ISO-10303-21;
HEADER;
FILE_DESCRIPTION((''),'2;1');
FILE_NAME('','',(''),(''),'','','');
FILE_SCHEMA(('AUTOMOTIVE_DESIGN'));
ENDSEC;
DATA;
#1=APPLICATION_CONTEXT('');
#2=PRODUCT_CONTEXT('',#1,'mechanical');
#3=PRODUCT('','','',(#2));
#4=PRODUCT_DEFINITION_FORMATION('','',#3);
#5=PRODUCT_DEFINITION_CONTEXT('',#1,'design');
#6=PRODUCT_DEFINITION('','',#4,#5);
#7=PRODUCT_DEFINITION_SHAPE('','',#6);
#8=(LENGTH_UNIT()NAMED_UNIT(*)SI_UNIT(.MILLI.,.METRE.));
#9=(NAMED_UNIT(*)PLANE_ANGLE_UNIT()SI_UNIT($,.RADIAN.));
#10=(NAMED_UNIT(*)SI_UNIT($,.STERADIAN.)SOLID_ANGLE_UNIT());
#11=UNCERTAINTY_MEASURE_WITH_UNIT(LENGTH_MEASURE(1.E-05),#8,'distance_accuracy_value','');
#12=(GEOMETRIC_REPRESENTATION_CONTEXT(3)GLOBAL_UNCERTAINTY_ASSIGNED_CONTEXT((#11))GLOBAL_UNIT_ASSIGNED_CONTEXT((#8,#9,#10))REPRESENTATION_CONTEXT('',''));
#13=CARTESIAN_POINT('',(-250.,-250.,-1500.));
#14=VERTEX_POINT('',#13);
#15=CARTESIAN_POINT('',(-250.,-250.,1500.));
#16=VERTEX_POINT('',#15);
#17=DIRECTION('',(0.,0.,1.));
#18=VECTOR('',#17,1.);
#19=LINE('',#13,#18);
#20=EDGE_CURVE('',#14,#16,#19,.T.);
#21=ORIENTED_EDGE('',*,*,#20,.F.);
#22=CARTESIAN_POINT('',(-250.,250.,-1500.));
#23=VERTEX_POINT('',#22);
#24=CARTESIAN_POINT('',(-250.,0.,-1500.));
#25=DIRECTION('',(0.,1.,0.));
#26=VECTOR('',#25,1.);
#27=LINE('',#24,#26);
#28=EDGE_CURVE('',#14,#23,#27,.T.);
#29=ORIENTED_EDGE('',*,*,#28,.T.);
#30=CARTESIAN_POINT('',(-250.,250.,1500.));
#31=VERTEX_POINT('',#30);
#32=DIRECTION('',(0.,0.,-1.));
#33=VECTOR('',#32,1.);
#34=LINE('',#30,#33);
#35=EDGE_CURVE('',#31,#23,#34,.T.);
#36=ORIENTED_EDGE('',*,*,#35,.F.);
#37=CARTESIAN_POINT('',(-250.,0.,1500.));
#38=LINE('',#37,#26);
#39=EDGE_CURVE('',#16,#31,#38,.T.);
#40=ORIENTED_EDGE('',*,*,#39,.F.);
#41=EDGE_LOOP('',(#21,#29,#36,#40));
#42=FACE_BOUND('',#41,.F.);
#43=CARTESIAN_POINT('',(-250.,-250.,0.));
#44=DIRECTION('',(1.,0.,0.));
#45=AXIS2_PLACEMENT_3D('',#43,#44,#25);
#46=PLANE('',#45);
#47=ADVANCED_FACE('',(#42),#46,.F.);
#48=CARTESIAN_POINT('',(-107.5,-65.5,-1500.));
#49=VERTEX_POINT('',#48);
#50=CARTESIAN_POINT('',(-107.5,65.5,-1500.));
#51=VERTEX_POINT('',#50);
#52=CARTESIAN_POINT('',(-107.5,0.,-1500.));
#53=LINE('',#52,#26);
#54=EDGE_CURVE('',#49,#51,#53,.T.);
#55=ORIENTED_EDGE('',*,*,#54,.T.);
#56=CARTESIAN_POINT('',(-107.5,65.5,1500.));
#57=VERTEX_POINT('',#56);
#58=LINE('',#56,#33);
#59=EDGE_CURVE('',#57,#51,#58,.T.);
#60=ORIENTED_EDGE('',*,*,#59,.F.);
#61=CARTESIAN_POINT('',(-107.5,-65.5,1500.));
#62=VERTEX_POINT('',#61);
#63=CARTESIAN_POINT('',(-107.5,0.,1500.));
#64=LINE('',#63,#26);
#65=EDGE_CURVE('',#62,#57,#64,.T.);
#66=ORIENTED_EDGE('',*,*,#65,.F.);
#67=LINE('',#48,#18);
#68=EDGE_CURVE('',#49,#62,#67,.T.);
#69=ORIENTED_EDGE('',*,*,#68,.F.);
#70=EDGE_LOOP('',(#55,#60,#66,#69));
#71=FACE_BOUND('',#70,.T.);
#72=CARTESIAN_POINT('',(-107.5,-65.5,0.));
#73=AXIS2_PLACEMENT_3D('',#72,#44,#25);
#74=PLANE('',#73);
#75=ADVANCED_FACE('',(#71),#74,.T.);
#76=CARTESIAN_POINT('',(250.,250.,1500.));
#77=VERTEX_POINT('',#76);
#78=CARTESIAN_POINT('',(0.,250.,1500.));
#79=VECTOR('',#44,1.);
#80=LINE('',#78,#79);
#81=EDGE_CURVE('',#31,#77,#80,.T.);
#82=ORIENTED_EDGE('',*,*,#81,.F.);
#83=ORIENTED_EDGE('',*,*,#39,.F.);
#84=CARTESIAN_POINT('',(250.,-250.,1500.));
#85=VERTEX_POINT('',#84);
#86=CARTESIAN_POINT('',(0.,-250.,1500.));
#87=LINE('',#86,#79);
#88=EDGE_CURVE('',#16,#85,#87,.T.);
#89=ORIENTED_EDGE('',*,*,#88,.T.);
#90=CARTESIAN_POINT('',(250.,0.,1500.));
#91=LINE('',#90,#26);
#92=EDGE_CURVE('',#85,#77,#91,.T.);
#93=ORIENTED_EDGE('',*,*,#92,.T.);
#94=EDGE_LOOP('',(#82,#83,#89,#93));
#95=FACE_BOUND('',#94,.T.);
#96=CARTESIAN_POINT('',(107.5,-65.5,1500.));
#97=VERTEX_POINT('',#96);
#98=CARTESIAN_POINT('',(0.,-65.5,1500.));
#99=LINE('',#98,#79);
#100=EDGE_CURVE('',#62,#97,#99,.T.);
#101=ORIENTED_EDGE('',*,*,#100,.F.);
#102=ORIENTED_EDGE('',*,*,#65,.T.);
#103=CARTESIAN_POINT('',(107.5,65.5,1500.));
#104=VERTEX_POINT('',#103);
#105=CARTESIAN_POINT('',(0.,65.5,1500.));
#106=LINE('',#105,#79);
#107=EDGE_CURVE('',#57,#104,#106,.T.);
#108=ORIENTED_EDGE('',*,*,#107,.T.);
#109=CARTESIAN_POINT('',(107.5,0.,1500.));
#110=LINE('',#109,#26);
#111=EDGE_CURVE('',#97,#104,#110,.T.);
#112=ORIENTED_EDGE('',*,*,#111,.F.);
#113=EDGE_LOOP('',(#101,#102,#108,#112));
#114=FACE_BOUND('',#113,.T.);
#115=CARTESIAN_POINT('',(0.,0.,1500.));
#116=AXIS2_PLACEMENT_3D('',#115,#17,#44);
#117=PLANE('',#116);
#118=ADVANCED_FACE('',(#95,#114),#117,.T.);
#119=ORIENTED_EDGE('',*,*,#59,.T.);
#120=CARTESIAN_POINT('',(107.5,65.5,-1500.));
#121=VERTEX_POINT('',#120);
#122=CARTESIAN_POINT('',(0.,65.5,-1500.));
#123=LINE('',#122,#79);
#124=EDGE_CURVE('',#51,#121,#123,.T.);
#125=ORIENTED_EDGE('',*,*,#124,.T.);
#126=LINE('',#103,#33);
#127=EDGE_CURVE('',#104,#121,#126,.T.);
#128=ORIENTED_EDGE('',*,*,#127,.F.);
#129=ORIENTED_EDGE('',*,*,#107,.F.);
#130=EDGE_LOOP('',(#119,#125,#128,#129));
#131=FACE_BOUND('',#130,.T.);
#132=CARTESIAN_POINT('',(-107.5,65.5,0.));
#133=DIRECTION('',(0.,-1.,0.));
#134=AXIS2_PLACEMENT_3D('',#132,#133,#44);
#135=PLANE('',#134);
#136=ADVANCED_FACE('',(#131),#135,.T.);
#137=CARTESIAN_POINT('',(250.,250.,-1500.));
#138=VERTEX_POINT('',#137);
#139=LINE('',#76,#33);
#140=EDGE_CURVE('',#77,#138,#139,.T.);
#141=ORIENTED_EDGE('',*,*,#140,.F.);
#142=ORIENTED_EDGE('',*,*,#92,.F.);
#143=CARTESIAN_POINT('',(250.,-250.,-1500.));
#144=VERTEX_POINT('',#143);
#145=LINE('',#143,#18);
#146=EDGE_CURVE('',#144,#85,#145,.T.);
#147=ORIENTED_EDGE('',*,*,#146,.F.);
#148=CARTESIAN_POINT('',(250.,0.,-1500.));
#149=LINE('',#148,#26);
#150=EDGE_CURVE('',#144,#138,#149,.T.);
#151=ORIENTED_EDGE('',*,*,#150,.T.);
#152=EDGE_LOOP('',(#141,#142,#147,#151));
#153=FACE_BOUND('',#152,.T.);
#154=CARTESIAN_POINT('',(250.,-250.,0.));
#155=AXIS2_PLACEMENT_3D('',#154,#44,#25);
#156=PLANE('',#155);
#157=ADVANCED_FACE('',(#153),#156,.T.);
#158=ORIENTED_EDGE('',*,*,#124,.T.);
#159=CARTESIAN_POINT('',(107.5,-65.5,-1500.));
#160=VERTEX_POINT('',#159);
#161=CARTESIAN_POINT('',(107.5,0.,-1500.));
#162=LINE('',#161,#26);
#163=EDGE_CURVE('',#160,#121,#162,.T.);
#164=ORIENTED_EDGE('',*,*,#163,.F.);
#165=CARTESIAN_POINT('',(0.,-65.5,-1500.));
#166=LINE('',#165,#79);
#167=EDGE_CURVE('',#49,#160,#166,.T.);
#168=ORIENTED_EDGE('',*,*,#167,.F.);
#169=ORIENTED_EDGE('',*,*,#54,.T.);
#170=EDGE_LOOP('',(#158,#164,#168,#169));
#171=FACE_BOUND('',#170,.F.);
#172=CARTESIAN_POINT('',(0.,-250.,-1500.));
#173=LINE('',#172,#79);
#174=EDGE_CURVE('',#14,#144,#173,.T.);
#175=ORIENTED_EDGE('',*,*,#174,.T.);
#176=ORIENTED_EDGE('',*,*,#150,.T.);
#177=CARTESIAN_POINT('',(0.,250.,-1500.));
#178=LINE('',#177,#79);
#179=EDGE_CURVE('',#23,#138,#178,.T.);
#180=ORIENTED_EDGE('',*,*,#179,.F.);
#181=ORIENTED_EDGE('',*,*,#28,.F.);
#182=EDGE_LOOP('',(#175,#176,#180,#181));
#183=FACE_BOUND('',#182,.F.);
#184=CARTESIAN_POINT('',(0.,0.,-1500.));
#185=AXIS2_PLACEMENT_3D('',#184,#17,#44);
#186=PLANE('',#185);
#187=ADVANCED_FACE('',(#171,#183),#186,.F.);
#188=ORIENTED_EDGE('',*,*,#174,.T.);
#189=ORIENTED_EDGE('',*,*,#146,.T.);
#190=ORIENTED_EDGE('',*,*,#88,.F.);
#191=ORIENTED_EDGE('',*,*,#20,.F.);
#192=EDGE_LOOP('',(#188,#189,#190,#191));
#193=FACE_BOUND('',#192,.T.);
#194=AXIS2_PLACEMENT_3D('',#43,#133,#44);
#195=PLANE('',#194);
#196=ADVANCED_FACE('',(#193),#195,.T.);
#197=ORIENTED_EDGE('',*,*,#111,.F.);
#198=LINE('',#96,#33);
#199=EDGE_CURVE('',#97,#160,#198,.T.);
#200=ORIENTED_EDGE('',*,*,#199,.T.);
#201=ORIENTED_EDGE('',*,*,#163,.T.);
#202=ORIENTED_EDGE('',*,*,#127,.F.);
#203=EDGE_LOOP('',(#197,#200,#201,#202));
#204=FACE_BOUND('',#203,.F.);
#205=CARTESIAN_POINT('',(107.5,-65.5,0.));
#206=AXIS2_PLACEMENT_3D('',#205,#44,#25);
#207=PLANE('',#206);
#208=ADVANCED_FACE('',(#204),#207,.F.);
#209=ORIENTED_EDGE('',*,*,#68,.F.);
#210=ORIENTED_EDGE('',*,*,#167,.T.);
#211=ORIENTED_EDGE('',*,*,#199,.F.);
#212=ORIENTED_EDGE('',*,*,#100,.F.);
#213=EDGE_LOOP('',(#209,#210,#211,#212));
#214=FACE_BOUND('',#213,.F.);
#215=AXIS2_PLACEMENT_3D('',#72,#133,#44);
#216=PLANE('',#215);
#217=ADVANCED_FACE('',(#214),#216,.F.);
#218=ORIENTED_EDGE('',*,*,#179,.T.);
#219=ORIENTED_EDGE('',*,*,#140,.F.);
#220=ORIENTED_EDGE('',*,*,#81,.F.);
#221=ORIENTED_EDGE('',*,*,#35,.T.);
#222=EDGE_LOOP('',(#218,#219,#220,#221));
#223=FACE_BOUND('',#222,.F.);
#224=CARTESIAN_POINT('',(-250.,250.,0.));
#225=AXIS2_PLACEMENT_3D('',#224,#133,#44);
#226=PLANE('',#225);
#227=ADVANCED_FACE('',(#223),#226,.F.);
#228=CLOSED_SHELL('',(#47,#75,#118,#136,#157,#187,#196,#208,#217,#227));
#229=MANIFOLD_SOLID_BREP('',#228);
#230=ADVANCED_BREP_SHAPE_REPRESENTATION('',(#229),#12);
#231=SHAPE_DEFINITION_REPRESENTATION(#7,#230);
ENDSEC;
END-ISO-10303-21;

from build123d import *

# Parameters (mm, degrees)
SKETCH_W   = 500
SKETCH_H   = 500
SKETCH_W_2 = 215
SKETCH_H_2 = 131
PAD_DEPTH  = 1500


with BuildPart() as part:
    # Sketch → Pad (new body, symmetric)
    with BuildSketch(Plane.XY):
        Rectangle(SKETCH_W, SKETCH_H)
        Rectangle(SKETCH_W_2, SKETCH_H_2, mode=Mode.SUBTRACT)
    extrude(amount=PAD_DEPTH, both=True)


solid = part.part
